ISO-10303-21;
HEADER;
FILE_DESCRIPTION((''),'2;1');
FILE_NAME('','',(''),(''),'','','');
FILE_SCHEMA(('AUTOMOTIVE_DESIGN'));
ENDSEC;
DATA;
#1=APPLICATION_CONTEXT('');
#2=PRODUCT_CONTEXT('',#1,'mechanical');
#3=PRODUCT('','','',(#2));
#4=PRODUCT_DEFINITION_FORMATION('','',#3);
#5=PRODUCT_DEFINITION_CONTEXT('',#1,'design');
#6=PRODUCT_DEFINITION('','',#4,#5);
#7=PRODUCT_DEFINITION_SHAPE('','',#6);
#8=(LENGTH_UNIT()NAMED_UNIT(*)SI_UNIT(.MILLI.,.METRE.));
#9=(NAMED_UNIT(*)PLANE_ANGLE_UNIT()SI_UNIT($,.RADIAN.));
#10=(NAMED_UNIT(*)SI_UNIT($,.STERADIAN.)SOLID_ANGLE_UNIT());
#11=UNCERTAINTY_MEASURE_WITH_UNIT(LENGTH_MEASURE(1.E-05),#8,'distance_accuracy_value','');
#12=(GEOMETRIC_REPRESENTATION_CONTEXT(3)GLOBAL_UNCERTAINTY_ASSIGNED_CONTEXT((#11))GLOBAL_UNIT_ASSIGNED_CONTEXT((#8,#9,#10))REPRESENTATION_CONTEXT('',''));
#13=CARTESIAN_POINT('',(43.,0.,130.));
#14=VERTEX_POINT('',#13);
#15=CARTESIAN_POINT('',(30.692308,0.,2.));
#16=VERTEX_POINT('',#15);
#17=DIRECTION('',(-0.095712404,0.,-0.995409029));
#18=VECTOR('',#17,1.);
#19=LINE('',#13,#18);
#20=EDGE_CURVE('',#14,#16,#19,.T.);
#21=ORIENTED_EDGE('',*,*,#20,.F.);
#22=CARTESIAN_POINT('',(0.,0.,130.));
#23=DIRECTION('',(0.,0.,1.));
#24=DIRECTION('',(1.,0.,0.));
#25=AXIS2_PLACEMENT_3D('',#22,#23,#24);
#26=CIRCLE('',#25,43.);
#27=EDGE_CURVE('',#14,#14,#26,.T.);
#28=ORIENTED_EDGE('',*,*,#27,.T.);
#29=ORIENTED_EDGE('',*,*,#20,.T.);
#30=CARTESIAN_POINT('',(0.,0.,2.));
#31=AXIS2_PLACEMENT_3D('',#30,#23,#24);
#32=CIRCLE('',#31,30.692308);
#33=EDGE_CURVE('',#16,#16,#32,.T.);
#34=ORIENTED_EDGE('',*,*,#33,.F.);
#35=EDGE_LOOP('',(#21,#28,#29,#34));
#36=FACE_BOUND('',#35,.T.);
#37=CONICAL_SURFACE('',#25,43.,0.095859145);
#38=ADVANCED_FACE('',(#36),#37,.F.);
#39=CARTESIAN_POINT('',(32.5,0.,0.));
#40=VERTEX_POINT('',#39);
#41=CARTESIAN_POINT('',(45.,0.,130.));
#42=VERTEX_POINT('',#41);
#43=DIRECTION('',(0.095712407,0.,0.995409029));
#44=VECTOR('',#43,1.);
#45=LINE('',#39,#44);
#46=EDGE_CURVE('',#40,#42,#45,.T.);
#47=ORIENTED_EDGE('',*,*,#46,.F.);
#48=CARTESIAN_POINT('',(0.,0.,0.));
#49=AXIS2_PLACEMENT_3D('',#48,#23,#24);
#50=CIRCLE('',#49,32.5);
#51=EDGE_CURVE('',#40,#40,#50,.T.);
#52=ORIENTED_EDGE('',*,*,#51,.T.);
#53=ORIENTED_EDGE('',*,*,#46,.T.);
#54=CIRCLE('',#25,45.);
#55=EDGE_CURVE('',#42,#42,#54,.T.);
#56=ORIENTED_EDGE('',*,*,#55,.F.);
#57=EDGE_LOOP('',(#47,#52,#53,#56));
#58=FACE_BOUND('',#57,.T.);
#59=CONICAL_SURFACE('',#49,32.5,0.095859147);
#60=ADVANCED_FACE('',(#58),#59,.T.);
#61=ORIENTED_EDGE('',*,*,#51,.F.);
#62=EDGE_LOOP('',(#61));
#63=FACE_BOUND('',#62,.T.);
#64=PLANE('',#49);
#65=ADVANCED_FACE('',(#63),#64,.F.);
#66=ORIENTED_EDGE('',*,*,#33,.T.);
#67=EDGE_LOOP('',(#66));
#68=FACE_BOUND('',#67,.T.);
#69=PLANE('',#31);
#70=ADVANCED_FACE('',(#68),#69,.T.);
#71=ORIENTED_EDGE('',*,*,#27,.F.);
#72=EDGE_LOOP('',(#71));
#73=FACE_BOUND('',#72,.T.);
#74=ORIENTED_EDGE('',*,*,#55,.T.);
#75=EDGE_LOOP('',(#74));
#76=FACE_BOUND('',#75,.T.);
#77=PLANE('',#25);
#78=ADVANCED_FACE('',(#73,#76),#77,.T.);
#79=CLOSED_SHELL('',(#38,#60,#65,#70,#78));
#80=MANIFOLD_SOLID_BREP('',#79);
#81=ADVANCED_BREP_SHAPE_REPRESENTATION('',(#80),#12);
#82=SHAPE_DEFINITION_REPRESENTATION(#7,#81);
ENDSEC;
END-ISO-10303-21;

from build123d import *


with BuildPart() as part:
    # Sketch → Revolution (revolve)
    with BuildSketch(Plane.XZ):
        Polygon((0, 0), (32.5, 0), (45, 130), (43, 130), (30.692308, 2), (0, 2), align=None)
    revolve(axis=Axis((0, 0, 0), (0, 0, 1)))


solid = part.part
